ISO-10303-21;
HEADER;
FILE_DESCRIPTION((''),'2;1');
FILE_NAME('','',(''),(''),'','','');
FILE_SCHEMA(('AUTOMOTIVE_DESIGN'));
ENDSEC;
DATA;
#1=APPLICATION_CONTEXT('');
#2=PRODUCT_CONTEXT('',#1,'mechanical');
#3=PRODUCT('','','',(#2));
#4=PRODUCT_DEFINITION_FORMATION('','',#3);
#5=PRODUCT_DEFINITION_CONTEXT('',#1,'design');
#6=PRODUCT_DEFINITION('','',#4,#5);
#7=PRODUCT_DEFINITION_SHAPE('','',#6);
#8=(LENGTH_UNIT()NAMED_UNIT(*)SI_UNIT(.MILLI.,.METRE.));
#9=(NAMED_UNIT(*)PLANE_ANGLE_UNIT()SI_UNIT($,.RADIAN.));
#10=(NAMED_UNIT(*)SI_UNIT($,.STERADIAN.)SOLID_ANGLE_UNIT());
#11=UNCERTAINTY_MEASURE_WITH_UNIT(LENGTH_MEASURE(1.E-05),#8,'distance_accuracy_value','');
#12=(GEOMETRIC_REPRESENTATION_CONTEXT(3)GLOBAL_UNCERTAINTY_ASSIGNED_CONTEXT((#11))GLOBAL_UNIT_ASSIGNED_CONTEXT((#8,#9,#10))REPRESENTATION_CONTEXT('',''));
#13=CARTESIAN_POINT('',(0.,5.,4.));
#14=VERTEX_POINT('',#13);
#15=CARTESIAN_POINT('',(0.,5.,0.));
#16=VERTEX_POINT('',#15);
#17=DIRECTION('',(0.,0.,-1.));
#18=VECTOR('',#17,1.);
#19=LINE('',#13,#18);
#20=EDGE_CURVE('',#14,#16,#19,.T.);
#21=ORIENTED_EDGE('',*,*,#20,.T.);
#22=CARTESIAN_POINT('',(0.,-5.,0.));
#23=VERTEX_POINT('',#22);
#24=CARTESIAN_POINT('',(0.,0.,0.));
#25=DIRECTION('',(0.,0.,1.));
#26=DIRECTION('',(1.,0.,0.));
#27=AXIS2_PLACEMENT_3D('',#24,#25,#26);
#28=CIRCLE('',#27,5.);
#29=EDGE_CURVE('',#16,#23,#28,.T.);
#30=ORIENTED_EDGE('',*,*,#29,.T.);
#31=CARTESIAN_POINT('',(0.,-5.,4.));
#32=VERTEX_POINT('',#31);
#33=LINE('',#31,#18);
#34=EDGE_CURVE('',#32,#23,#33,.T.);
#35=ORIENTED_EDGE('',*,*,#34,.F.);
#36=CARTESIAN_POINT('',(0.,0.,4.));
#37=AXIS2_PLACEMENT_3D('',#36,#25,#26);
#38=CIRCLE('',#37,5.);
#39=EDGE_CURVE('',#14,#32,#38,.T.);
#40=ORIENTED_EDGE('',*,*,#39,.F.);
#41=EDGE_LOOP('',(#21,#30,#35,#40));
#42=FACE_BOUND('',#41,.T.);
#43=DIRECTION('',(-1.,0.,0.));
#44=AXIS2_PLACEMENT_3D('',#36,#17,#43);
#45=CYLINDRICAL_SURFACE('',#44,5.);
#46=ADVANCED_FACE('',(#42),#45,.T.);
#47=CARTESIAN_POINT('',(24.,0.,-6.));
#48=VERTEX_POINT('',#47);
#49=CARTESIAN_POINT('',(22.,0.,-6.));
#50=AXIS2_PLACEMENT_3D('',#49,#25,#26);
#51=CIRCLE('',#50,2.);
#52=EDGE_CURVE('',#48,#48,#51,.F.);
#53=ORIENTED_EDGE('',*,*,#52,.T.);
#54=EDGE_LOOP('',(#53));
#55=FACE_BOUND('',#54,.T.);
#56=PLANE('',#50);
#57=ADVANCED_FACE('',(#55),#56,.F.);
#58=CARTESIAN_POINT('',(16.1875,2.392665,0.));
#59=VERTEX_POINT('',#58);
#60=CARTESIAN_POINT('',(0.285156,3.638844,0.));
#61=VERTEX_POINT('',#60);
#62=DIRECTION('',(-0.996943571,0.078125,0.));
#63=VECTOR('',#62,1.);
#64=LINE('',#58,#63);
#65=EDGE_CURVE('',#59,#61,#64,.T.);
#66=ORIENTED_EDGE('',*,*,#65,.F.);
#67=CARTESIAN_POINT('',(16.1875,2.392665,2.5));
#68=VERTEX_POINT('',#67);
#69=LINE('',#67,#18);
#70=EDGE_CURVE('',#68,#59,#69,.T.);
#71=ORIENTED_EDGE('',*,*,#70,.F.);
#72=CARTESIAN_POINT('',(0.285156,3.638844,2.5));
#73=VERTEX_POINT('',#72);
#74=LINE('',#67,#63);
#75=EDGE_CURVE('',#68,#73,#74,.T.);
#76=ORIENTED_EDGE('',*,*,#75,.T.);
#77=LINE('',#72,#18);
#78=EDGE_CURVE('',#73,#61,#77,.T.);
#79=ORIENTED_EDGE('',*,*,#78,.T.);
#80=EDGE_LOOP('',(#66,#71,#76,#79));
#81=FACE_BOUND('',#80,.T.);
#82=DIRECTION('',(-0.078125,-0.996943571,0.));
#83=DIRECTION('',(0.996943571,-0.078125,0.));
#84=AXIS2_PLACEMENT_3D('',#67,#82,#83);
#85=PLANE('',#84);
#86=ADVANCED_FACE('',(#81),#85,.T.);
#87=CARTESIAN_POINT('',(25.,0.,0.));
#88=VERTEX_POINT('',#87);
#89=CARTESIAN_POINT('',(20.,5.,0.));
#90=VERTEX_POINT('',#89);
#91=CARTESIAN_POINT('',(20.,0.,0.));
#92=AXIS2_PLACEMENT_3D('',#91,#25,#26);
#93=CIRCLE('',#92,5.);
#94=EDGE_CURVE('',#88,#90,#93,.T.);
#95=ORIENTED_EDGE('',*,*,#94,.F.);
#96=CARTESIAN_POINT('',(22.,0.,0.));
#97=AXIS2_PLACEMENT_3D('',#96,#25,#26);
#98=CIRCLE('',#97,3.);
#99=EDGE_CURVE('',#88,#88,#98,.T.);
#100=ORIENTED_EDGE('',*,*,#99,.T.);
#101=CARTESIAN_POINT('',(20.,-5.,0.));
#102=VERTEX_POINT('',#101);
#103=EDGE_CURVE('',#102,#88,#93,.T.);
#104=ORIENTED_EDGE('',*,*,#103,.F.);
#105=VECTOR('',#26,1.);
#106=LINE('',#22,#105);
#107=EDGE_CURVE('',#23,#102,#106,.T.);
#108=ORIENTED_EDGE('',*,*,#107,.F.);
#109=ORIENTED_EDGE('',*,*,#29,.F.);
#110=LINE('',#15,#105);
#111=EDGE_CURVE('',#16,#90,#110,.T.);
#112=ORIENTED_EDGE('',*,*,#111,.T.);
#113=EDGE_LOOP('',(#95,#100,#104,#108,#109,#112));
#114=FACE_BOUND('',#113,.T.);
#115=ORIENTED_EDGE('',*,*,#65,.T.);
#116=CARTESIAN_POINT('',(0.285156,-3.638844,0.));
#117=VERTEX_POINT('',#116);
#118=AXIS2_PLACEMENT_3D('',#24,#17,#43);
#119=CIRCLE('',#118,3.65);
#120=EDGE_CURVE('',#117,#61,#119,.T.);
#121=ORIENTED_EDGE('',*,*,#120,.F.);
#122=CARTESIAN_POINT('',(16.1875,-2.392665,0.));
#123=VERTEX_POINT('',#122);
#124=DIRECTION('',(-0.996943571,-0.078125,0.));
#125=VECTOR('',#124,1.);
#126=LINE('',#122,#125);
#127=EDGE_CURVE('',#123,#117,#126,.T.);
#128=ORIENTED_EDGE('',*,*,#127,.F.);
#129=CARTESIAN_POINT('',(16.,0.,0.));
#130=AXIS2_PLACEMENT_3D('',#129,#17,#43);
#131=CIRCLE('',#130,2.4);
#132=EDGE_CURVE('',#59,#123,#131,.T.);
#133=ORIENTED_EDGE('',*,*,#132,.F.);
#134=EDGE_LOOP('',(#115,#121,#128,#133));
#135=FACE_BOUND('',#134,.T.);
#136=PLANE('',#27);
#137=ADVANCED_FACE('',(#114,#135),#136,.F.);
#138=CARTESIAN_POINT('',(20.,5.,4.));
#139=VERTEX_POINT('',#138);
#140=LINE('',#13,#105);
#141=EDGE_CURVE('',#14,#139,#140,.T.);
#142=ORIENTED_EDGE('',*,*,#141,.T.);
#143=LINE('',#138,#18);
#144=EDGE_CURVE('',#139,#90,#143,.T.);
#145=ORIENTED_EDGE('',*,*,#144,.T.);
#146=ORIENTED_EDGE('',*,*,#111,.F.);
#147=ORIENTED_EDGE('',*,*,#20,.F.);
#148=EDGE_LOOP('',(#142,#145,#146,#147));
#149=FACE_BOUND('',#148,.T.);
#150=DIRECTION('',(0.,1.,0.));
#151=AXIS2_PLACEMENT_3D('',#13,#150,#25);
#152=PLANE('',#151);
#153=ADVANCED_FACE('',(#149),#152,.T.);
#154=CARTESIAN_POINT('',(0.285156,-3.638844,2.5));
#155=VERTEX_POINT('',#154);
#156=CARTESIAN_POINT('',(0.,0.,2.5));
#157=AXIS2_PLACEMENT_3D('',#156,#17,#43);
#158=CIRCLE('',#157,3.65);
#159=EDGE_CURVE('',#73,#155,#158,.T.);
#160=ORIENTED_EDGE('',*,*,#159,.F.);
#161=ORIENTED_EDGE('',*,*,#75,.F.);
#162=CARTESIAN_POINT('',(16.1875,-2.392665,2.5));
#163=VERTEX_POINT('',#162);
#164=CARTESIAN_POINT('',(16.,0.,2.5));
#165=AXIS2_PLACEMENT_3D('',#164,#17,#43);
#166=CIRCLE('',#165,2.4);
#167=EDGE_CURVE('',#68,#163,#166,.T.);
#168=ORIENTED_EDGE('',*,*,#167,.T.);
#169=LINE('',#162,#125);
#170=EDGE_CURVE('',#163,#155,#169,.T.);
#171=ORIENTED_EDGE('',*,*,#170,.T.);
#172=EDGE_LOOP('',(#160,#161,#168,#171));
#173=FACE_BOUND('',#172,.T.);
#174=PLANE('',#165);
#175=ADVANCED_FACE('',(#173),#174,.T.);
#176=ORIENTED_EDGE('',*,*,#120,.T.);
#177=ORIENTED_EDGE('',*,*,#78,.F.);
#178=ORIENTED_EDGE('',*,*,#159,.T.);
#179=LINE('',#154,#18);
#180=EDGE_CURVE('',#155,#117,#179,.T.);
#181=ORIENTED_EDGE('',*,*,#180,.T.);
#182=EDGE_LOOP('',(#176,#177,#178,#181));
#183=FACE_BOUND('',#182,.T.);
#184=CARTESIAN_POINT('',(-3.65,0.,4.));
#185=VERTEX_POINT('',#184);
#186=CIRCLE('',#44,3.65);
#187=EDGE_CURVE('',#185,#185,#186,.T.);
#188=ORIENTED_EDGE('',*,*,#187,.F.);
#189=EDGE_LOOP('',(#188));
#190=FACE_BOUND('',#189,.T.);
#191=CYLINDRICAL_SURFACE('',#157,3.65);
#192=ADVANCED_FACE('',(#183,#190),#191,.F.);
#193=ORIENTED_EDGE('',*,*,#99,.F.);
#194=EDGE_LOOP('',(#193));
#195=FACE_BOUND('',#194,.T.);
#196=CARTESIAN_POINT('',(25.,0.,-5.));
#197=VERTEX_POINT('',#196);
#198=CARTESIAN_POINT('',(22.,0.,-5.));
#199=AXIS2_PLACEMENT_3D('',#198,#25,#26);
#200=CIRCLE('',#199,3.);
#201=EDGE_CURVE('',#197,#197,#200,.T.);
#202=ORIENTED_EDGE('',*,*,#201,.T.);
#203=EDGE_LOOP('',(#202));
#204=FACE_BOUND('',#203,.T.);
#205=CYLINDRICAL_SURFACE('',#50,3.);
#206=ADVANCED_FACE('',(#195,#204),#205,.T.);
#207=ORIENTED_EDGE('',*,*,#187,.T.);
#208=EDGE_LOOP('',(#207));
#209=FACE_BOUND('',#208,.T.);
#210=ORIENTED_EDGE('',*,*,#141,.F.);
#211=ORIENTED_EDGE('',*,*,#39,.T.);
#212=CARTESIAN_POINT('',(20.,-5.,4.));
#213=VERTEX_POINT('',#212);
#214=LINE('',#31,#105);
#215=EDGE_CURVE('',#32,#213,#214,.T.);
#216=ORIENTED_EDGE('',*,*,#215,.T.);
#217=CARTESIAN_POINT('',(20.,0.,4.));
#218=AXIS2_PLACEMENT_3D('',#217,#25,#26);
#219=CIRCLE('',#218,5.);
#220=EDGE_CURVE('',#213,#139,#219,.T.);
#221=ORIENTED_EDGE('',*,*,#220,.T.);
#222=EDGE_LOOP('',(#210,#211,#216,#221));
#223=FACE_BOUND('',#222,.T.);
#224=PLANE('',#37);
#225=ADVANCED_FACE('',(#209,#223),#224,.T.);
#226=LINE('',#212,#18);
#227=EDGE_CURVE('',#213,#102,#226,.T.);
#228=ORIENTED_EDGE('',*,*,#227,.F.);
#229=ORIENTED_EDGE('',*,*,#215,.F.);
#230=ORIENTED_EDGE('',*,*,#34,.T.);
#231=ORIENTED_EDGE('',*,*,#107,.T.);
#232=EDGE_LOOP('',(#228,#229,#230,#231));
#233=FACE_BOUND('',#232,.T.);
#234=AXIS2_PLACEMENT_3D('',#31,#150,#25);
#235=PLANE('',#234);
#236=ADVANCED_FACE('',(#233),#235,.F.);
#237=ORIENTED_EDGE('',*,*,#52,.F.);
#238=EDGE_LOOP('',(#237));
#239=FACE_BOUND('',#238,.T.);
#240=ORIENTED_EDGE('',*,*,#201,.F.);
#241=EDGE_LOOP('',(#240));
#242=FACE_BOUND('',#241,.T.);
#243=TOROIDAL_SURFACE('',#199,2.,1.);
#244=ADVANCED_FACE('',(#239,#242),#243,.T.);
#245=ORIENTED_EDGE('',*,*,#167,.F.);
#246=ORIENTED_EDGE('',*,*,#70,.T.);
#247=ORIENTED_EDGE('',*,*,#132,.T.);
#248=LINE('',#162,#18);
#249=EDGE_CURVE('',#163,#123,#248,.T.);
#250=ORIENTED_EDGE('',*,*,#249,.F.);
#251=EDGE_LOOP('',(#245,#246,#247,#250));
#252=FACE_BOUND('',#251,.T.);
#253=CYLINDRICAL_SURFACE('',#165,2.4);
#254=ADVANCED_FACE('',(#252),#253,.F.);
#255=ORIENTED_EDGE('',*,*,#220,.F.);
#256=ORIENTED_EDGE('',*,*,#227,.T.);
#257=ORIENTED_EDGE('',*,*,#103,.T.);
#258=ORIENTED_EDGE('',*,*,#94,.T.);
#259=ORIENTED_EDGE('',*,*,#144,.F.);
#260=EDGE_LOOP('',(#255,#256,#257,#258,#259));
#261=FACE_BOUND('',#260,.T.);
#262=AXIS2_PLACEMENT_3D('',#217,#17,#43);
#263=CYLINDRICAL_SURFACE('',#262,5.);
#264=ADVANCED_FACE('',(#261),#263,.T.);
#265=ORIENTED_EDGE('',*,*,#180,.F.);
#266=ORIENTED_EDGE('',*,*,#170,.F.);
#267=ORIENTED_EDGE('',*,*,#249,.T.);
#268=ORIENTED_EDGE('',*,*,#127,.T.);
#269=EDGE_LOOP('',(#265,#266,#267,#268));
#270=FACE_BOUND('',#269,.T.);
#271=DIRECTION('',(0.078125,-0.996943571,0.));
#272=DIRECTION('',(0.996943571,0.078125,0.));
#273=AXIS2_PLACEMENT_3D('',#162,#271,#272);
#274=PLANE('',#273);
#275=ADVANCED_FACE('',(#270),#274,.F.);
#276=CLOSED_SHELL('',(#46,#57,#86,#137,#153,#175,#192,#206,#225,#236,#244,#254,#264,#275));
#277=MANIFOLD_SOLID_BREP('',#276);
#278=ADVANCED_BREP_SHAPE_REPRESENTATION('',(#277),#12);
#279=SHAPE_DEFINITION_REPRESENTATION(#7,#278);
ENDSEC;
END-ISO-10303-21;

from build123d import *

# Parameters (mm, degrees)
EXTRUDE_3_DEPTH     = 4
SKETCH_4_R          = 3
EXTRUDE_4_DEPTH     = 6
CUT_EXTRUDE_1_DEPTH = 2.5
SKETCH_7_R          = 3.65
CUT_EXTRUDE_2_DEPTH = 27.874709301
FILLET_1_R          = 1


with BuildPart() as part:
    # 草图1 → 凸台-拉伸3 (new body)
    with BuildSketch(Plane.XY):
        with BuildLine():
            Line((0, 5), (20, 5))
            ThreePointArc((20, 5), (25, 0), (20, -5))
            Line((20, -5), (0, -5))
            ThreePointArc((0, -5), (-5, 0), (0, 5))
        make_face()
    extrude(amount=EXTRUDE_3_DEPTH)

    # 草图4 → 凸台-拉伸4 (add)
    with BuildSketch(Plane.XY):
        with Locations((22, 0)):
            Circle(SKETCH_4_R)
    extrude(amount=-EXTRUDE_4_DEPTH)

    # 草图6 → 切除-拉伸1 (cut)
    with BuildSketch(Plane(origin=(0, 0, 0), x_dir=(-1, 0, 0), z_dir=(0, 0, -1))):
        with BuildLine():
            Line((-16.1875, 2.392664571), (-0.28515625, 3.638844035))
            ThreePointArc((-0.28515625, 3.638844035), (3.65, 0), (-0.28515625, -3.638844035))
            Line((-0.28515625, -3.638844035), (-16.1875, -2.392664571))
            ThreePointArc((-16.1875, -2.392664571), (-18.4, 0), (-16.1875, 2.392664571))
        make_face()
    extrude(amount=-CUT_EXTRUDE_1_DEPTH, mode=Mode.SUBTRACT)

    # 草图7 → 切除-拉伸2 (cut, through all)
    with BuildSketch(Plane(origin=(0, 0, 2.5), x_dir=(-1, 0, 0), z_dir=(0, 0, -1))):
        Circle(SKETCH_7_R)
    extrude(amount=-CUT_EXTRUDE_2_DEPTH, mode=Mode.SUBTRACT)

    # 圆角1
    fillet_1_edges = [part.edges().sort_by_distance(p)[0] for p in [
        (19, 0, -6),
    ]]
    fillet(fillet_1_edges, radius=FILLET_1_R)


solid = part.part
